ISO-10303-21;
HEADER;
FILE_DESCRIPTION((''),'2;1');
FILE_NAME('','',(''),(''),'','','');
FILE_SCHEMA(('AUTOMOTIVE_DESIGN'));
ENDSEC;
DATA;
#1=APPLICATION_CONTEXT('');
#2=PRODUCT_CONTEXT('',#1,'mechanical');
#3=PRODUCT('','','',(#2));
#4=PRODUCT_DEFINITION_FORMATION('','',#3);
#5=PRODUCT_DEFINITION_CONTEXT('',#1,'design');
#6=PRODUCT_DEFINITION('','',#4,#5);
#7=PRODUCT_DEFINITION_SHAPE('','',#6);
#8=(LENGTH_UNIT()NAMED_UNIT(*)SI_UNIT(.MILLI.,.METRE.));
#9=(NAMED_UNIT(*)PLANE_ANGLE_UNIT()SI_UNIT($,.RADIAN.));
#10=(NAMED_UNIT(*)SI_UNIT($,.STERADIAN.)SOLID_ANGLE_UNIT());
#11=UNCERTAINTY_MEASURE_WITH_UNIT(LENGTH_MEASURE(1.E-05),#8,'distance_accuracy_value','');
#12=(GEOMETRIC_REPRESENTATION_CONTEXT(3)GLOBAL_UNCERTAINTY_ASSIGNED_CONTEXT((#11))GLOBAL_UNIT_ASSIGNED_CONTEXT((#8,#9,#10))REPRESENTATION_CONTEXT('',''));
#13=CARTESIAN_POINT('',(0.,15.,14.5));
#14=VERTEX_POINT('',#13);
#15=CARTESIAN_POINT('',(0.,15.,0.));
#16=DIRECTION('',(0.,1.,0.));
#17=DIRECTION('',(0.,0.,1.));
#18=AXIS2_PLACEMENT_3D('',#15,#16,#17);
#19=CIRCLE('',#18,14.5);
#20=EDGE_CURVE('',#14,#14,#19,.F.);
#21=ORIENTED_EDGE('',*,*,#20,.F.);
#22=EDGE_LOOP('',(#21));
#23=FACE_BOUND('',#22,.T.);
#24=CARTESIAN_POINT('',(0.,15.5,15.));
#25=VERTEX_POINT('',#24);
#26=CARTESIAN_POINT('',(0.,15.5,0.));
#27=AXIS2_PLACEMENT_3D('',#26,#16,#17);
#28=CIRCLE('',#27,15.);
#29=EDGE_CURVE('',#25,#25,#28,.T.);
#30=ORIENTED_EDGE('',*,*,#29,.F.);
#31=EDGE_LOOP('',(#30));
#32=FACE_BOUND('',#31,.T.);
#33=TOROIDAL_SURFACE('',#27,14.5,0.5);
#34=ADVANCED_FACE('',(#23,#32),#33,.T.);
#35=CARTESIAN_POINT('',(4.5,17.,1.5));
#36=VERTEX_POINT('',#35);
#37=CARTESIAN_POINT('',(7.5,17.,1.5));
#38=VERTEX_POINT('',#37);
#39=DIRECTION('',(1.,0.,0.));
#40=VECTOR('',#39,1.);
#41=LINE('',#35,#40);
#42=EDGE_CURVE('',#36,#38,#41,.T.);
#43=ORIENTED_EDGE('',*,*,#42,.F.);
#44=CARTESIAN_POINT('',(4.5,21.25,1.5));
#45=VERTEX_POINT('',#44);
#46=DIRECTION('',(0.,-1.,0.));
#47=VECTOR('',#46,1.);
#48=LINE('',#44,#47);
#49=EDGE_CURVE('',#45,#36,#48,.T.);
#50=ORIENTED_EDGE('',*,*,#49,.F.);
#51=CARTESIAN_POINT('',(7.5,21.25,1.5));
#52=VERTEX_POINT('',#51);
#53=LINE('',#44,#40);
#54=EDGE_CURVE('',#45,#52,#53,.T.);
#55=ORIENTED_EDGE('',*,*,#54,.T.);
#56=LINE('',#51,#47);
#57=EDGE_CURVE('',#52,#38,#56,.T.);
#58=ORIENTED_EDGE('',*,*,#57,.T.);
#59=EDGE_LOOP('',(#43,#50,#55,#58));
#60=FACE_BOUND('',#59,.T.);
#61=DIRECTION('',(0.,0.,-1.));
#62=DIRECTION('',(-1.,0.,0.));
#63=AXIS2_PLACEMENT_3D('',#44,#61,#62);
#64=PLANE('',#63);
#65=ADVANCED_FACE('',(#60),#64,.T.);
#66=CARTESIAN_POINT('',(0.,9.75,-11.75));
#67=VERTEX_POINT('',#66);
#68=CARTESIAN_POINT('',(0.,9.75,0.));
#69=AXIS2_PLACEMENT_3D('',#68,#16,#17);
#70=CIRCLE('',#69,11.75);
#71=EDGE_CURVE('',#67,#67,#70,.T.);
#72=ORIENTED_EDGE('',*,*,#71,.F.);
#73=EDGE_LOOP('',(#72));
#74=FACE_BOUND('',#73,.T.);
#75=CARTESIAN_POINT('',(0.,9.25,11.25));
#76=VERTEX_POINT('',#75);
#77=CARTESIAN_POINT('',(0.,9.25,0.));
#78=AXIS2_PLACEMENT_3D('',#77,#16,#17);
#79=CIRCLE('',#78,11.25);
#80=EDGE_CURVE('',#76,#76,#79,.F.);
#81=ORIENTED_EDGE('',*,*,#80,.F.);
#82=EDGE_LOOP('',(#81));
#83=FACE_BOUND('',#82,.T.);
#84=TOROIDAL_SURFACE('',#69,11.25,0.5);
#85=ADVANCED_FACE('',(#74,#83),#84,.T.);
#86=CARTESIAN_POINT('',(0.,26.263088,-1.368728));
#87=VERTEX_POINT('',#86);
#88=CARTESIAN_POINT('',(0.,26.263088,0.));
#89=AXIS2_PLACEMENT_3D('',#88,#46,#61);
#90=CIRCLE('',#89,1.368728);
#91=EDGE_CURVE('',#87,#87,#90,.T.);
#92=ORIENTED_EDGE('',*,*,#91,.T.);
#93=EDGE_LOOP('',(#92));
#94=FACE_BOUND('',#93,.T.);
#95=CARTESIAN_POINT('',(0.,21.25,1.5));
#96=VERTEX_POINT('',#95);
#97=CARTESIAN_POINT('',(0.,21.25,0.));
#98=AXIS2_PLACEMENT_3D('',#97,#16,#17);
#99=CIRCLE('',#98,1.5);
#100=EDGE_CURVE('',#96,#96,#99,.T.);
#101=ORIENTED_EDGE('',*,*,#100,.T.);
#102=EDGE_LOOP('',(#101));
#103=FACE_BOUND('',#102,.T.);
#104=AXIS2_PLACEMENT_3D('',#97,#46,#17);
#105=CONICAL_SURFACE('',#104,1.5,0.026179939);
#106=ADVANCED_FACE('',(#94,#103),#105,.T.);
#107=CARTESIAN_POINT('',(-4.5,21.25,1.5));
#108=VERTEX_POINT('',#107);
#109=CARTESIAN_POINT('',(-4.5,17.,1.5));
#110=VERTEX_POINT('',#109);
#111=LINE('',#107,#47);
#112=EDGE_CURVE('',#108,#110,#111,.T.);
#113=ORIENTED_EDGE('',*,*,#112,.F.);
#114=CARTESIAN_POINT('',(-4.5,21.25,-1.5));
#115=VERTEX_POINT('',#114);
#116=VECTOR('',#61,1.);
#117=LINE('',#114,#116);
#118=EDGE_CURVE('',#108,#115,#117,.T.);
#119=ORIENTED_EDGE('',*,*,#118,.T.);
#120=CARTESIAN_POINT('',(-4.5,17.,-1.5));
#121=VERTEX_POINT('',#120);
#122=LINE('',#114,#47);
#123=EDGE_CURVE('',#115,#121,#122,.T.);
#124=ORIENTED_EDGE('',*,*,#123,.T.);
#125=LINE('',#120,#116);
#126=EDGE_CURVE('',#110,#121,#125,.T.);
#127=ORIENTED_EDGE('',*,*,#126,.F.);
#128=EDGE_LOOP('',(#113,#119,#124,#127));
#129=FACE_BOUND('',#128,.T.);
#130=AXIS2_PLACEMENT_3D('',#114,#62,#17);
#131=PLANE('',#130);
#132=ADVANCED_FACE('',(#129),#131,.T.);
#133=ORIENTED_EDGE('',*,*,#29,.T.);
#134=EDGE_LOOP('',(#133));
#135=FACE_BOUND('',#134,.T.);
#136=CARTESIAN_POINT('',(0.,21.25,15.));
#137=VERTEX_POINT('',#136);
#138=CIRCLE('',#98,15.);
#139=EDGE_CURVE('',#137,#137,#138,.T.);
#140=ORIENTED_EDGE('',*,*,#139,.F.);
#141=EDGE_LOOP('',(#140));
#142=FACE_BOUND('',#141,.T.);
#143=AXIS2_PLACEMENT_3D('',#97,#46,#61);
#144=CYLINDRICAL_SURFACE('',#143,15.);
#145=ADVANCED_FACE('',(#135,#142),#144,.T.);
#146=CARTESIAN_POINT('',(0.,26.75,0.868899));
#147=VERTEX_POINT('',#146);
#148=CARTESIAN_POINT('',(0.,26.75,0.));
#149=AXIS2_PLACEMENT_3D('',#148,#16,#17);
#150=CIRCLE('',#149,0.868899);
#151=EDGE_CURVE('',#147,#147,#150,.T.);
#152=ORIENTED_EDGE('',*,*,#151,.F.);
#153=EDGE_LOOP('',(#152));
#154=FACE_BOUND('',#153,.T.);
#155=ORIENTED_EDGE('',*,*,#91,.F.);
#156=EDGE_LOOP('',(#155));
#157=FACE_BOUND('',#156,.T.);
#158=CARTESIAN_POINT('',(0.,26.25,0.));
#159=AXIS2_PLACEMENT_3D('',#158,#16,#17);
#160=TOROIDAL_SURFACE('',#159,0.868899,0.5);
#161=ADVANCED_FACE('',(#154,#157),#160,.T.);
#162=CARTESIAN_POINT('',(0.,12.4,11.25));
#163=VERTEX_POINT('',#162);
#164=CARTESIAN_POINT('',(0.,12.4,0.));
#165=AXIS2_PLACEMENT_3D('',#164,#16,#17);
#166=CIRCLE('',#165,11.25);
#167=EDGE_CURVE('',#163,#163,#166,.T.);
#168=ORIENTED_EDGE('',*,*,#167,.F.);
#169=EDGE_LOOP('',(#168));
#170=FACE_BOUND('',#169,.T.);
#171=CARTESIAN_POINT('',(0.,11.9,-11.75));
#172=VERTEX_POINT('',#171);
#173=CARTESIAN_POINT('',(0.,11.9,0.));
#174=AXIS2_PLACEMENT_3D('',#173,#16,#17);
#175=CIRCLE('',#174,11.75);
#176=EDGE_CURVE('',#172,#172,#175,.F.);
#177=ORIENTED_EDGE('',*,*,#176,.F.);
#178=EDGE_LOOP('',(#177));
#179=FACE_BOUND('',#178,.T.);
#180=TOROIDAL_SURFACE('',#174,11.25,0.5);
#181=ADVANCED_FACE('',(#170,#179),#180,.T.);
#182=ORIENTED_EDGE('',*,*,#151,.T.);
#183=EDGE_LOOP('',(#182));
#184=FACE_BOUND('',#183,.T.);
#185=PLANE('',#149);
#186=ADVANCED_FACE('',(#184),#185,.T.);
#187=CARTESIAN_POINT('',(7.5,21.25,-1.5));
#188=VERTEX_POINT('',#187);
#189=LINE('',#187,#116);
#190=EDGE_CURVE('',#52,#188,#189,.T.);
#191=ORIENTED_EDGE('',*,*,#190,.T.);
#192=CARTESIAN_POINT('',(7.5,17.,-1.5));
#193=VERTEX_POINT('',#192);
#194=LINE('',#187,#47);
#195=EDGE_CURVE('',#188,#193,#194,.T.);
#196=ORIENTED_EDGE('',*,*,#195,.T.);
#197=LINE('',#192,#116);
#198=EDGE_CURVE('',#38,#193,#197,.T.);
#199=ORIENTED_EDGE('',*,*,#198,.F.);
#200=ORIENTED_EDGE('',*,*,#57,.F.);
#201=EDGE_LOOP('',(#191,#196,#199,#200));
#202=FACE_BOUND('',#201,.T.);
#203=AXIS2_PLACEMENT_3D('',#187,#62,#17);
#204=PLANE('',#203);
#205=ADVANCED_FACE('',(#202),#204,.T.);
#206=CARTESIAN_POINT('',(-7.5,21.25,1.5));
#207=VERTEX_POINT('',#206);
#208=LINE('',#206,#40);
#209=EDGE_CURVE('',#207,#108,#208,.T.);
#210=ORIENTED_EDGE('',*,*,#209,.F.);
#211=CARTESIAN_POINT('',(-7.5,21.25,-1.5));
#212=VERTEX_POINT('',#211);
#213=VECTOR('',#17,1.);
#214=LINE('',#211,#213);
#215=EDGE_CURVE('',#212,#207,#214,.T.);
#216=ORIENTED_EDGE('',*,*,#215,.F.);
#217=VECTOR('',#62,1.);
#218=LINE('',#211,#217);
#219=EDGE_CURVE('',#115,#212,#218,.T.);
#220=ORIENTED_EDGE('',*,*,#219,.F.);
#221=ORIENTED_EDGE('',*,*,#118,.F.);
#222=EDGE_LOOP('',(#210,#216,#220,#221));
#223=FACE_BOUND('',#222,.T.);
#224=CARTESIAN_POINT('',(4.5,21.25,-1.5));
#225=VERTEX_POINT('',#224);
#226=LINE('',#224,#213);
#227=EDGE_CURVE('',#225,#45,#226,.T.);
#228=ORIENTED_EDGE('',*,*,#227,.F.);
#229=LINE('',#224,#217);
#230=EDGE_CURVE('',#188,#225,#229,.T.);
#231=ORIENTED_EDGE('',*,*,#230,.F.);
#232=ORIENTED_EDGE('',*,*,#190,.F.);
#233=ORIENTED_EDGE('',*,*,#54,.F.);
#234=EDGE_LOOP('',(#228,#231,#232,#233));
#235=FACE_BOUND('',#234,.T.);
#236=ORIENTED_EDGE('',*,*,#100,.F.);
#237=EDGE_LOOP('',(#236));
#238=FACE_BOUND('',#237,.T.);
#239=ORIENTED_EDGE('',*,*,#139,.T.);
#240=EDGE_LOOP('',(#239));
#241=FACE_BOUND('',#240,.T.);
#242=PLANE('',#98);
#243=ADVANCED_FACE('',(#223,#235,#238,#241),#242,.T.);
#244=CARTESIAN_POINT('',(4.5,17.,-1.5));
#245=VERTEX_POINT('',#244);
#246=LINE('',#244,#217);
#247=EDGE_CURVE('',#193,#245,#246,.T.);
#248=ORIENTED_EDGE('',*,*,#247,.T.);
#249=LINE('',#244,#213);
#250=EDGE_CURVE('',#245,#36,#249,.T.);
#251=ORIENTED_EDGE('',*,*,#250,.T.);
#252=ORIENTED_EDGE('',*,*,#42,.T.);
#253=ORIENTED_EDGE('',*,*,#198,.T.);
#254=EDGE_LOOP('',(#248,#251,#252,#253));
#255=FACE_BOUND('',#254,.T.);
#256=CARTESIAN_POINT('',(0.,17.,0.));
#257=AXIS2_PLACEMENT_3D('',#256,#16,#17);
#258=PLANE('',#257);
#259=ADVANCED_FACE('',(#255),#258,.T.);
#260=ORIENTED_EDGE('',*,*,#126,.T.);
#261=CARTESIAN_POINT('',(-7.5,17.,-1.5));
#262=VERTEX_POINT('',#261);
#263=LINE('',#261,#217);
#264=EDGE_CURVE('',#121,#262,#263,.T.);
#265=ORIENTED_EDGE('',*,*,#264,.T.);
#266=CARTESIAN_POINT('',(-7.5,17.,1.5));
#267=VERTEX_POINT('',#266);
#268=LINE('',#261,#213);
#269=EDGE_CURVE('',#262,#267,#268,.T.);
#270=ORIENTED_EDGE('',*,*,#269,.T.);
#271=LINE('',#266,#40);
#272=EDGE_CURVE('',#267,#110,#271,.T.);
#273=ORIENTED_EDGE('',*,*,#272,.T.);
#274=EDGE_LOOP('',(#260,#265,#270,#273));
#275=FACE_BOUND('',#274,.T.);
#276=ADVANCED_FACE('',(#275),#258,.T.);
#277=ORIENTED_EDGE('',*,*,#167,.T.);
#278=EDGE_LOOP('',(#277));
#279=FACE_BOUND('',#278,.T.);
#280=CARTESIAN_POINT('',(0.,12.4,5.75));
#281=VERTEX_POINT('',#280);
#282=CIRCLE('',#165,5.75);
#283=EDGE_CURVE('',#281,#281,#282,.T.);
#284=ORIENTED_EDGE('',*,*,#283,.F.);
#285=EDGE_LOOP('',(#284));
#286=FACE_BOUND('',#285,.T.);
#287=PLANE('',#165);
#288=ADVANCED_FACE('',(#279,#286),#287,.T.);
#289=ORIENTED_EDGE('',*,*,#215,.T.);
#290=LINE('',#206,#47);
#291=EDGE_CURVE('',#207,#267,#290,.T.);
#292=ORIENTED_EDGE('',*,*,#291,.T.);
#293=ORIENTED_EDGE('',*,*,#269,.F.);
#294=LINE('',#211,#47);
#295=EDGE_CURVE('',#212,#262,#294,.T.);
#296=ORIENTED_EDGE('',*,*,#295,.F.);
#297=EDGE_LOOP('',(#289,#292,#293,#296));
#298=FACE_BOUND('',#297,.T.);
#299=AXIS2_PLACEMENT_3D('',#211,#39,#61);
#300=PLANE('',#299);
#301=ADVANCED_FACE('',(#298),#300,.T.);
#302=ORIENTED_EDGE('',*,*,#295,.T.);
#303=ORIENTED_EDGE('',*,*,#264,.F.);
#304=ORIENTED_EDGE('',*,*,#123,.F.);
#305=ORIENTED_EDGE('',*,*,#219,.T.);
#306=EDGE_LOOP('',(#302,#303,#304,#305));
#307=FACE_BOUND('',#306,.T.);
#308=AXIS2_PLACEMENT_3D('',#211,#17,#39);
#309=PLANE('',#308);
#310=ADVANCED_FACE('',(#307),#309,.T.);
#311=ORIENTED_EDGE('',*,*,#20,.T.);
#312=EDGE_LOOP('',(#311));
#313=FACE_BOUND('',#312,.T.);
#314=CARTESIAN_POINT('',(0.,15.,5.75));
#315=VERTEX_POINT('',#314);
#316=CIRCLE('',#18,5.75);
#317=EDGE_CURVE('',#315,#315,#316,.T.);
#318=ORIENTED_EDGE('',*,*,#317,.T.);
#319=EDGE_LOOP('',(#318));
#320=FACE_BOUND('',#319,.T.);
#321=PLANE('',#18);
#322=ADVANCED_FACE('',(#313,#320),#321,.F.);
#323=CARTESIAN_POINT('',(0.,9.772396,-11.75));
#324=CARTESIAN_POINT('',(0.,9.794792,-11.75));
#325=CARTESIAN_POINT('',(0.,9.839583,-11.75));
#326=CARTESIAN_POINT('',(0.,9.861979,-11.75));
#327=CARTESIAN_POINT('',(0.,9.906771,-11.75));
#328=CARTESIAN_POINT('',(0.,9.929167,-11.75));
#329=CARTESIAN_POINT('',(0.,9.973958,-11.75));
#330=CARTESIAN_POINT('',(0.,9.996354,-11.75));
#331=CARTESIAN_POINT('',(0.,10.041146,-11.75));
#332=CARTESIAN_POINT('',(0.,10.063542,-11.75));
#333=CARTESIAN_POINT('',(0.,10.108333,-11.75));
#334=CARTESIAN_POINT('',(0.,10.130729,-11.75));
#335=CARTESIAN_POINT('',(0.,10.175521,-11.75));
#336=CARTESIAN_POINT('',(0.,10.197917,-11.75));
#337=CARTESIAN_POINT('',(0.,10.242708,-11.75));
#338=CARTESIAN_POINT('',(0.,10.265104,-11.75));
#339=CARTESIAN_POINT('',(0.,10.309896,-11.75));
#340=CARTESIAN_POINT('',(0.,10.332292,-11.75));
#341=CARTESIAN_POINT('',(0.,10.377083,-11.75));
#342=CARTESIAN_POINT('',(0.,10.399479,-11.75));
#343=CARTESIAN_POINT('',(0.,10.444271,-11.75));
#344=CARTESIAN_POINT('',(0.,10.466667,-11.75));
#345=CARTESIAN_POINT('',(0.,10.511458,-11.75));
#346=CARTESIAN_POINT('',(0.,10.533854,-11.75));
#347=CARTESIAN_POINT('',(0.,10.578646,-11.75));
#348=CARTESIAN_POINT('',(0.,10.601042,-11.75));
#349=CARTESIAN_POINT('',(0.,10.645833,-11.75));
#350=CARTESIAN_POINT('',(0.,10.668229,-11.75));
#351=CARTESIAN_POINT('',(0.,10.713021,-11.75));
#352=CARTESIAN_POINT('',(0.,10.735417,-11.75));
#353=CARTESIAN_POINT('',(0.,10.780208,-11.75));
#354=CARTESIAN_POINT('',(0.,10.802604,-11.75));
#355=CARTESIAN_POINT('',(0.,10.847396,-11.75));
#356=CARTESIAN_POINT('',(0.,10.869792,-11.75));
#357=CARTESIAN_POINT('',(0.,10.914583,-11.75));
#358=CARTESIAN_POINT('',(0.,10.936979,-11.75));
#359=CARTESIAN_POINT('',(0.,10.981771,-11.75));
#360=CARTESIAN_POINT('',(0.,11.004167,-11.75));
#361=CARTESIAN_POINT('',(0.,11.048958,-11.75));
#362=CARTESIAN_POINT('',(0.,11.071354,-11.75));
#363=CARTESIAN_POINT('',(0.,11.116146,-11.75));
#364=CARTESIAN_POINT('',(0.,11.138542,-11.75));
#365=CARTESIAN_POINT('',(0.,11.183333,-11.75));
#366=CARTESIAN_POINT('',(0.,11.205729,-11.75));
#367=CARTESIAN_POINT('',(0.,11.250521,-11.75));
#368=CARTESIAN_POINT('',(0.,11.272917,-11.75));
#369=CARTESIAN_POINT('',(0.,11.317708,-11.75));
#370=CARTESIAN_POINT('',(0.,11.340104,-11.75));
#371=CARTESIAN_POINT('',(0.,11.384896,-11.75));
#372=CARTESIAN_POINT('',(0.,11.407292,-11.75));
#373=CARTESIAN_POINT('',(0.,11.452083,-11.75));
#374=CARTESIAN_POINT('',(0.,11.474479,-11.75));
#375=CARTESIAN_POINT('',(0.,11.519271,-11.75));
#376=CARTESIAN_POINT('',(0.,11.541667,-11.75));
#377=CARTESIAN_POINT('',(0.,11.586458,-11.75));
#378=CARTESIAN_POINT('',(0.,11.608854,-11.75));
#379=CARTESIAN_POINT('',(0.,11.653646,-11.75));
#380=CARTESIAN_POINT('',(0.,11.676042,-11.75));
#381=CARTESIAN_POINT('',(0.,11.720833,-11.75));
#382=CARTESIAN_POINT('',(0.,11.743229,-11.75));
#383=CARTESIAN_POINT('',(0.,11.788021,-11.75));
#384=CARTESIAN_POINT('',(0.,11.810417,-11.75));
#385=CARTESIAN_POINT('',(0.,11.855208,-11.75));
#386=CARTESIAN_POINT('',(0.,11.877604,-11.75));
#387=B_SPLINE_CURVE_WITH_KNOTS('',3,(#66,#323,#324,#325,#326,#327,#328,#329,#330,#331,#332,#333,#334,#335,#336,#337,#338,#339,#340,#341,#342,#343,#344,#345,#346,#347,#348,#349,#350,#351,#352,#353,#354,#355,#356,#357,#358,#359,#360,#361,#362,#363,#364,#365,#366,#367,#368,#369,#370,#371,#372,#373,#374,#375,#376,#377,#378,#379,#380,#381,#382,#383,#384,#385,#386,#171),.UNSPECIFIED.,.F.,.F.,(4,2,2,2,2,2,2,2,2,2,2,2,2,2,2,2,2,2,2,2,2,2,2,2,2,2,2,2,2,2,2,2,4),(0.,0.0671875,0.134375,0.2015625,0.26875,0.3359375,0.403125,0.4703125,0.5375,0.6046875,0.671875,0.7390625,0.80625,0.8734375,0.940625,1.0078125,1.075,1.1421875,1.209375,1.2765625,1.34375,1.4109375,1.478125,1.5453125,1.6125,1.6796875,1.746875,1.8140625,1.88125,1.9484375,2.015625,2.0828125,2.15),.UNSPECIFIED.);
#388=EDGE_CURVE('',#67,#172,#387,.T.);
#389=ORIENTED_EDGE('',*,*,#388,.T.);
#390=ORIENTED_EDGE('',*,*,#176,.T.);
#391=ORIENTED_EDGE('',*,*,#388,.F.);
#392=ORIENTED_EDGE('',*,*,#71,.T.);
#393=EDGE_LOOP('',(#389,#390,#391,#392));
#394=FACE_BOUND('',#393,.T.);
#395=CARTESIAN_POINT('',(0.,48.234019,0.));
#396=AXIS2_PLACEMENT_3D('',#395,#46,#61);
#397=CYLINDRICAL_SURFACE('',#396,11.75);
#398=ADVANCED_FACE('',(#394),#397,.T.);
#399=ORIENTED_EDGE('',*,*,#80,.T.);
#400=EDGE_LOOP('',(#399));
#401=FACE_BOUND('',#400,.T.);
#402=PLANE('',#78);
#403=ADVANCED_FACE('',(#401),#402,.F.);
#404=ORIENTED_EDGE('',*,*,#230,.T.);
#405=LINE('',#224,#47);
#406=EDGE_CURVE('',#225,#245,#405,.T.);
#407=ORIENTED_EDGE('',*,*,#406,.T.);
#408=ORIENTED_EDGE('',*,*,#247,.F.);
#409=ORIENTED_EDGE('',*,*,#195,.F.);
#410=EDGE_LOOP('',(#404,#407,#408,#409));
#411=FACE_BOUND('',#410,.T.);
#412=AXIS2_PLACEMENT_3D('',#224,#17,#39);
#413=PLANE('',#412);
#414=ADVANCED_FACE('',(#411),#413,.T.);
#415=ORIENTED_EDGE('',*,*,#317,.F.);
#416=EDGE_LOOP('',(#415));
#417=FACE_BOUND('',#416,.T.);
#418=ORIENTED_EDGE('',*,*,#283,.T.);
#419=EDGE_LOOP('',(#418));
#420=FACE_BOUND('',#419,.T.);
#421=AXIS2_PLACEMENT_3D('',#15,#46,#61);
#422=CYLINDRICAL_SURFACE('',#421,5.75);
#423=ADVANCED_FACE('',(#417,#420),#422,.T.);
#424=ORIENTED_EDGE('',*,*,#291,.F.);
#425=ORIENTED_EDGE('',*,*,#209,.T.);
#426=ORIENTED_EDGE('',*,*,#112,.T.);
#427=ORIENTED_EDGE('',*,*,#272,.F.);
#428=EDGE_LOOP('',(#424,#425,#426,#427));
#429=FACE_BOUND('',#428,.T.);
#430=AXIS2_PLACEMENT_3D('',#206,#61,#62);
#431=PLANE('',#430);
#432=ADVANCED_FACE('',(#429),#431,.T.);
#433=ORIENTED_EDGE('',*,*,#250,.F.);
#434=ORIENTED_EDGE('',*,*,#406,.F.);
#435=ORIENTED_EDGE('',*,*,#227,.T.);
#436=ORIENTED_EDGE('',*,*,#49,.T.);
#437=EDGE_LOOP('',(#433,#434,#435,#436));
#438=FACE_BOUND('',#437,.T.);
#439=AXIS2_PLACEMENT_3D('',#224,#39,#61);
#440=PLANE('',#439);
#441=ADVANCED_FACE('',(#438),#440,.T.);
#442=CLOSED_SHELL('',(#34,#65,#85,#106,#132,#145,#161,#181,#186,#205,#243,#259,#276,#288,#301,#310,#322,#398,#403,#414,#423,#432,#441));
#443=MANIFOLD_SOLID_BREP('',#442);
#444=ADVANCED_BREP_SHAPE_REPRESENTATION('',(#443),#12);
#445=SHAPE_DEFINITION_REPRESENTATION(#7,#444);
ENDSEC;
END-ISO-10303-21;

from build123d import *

# Parameters (mm, degrees)
SKETCH1_R           = 5.75
BOSS_EXTRUDE1_DEPTH = 15
SKETCH12_R          = 5.75
BOSS_EXTRUDE3_DEPTH = 2
SKETCH11_R          = 15
SKETCH11_W          = 3
SKETCH11_H          = 3
BOSS_EXTRUDE2_DEPTH = 4.25
SKETCH13_R          = 1.5
BOSS_EXTRUDE4_DEPTH = 5.5
BOSS_EXTRUDE4_TAPER = 1.5
FILLET2_R           = 0.5
BOSS_EXTRUDE5_START = -2
SKETCH11_2_R        = 15
BOSS_EXTRUDE5_DEPTH = 2
SKETCH14_R          = 11.75
BOSS_EXTRUDE6_DEPTH = 12.4
SKETCH14_2_R        = 11.75
CUT_EXTRUDE1_DEPTH  = 9.25
FILLET3_R           = 0.5


with BuildPart() as part:
    # Sketch1 → Boss-Extrude1 (new body)
    with BuildSketch(Plane(origin=(0, 0, 0), x_dir=(1, 0, 0), z_dir=(0, 1, 0))):
        with Locations(Location((0, 0, 0), (0, 0, 270))):
            Circle(SKETCH1_R)
    extrude(amount=BOSS_EXTRUDE1_DEPTH)

    # Sketch12 → Boss-Extrude3 (add)
    with BuildSketch(Plane(origin=(0, 15, 0), x_dir=(1, 0, 0), z_dir=(0, 1, 0))):
        with Locations(Location((0, 0, 0), (0, 0, 270))):
            Circle(SKETCH12_R)
    extrude(amount=BOSS_EXTRUDE3_DEPTH)

    # Sketch11 → Boss-Extrude2 (add)
    with BuildSketch(Plane(origin=(0, 17, 0), x_dir=(1, 0, 0), z_dir=(0, 1, 0))):
        with Locations(Location((0, 0, 0), (0, 0, 270))):
            Circle(SKETCH11_R)
        with Locations((-6, 0)):
            Rectangle(SKETCH11_W, SKETCH11_H, mode=Mode.SUBTRACT)
        with Locations((6, 0)):
            Rectangle(SKETCH11_W, SKETCH11_H, mode=Mode.SUBTRACT)
    extrude(amount=BOSS_EXTRUDE2_DEPTH)

    # Sketch13 → Boss-Extrude4 (add)
    with BuildSketch(Plane(origin=(0, 21.25, 0), x_dir=(1, 0, 0), z_dir=(0, 1, 0))):
        Circle(SKETCH13_R)
    extrude(amount=BOSS_EXTRUDE4_DEPTH, taper=BOSS_EXTRUDE4_TAPER)

    # Fillet2
    fillet2_edges = [part.edges().sort_by_distance(p)[0] for p in [
        (-1.355977431, 26.75, 0),
    ]]
    fillet(fillet2_edges, radius=FILLET2_R)

    # Sketch11<2> → Boss-Extrude5 (add)
    # profile 1 of 3: a face of its own
    with BuildSketch(Plane(origin=(0, 17, 0), x_dir=(1, 0, 0), z_dir=(0, 1, 0)).offset(BOSS_EXTRUDE5_START)):
        with Locations(Location((0, 0, 0), (0, 0, 270))):
            Circle(SKETCH11_2_R)
        with BuildLine():
            Line((-7.5, -1.5), (-7.5, 1.5))
            Line((-7.5, 1.5), (-5.550900828, 1.5))
            ThreePointArc((-5.550900828, 1.5), (0, 5.75), (5.550900828, 1.5))
            Line((5.550900828, 1.5), (7.5, 1.5))
            Line((7.5, 1.5), (7.5, -1.5))
            Line((7.5, -1.5), (5.550900828, -1.5))
            ThreePointArc((5.550900828, -1.5), (0, -5.75), (-5.550900828, -1.5))
            Line((-5.550900828, -1.5), (-7.5, -1.5))
        make_face(mode=Mode.SUBTRACT)
    # profile 2 of 3: a face of its own
    with BuildSketch(Plane(origin=(0, 17, 0), x_dir=(1, 0, 0), z_dir=(0, 1, 0)).offset(BOSS_EXTRUDE5_START)):
        with BuildLine():
            Line((7.5, 1.5), (5.550900828, 1.5))
            ThreePointArc((5.550900828, 1.5), (5.700007884, 0.756577901), (5.75, 0))
            ThreePointArc((5.75, 0), (5.700007884, -0.756577901), (5.550900828, -1.5))
            Line((5.550900828, -1.5), (7.5, -1.5))
            Line((7.5, -1.5), (7.5, 1.5))
        make_face()
    # profile 3 of 3: a face of its own
    with BuildSketch(Plane(origin=(0, 17, 0), x_dir=(1, 0, 0), z_dir=(0, 1, 0)).offset(BOSS_EXTRUDE5_START)):
        with BuildLine():
            Line((-5.550900828, 1.5), (-7.5, 1.5))
            Line((-7.5, 1.5), (-7.5, -1.5))
            Line((-7.5, -1.5), (-5.550900828, -1.5))
            ThreePointArc((-5.550900828, -1.5), (-5.75, 0), (-5.550900828, 1.5))
        make_face()
    extrude(amount=BOSS_EXTRUDE5_DEPTH)

    # Sketch14 → Boss-Extrude6 (add)
    with BuildSketch(Plane.XZ):
        with Locations(Location((0, 0, 0), (0, 0, 270))):
            Circle(SKETCH14_R)
    extrude(amount=-BOSS_EXTRUDE6_DEPTH)

    # Sketch14<2> → Cut-Extrude1 (cut)
    with BuildSketch(Plane.XZ):
        with Locations(Location((0, 0, 0), (0, 0, 270))):
            Circle(SKETCH14_2_R)
    extrude(amount=-CUT_EXTRUDE1_DEPTH, mode=Mode.SUBTRACT)

    # Fillet3
    fillet3_edges = [part.edges().sort_by_distance(p)[0] for p in [
        (0, 15, -15),
        (0, 12.4, 11.75),
        (0, 9.25, 11.75),
    ]]
    fillet(fillet3_edges, radius=FILLET3_R)


solid = part.part
